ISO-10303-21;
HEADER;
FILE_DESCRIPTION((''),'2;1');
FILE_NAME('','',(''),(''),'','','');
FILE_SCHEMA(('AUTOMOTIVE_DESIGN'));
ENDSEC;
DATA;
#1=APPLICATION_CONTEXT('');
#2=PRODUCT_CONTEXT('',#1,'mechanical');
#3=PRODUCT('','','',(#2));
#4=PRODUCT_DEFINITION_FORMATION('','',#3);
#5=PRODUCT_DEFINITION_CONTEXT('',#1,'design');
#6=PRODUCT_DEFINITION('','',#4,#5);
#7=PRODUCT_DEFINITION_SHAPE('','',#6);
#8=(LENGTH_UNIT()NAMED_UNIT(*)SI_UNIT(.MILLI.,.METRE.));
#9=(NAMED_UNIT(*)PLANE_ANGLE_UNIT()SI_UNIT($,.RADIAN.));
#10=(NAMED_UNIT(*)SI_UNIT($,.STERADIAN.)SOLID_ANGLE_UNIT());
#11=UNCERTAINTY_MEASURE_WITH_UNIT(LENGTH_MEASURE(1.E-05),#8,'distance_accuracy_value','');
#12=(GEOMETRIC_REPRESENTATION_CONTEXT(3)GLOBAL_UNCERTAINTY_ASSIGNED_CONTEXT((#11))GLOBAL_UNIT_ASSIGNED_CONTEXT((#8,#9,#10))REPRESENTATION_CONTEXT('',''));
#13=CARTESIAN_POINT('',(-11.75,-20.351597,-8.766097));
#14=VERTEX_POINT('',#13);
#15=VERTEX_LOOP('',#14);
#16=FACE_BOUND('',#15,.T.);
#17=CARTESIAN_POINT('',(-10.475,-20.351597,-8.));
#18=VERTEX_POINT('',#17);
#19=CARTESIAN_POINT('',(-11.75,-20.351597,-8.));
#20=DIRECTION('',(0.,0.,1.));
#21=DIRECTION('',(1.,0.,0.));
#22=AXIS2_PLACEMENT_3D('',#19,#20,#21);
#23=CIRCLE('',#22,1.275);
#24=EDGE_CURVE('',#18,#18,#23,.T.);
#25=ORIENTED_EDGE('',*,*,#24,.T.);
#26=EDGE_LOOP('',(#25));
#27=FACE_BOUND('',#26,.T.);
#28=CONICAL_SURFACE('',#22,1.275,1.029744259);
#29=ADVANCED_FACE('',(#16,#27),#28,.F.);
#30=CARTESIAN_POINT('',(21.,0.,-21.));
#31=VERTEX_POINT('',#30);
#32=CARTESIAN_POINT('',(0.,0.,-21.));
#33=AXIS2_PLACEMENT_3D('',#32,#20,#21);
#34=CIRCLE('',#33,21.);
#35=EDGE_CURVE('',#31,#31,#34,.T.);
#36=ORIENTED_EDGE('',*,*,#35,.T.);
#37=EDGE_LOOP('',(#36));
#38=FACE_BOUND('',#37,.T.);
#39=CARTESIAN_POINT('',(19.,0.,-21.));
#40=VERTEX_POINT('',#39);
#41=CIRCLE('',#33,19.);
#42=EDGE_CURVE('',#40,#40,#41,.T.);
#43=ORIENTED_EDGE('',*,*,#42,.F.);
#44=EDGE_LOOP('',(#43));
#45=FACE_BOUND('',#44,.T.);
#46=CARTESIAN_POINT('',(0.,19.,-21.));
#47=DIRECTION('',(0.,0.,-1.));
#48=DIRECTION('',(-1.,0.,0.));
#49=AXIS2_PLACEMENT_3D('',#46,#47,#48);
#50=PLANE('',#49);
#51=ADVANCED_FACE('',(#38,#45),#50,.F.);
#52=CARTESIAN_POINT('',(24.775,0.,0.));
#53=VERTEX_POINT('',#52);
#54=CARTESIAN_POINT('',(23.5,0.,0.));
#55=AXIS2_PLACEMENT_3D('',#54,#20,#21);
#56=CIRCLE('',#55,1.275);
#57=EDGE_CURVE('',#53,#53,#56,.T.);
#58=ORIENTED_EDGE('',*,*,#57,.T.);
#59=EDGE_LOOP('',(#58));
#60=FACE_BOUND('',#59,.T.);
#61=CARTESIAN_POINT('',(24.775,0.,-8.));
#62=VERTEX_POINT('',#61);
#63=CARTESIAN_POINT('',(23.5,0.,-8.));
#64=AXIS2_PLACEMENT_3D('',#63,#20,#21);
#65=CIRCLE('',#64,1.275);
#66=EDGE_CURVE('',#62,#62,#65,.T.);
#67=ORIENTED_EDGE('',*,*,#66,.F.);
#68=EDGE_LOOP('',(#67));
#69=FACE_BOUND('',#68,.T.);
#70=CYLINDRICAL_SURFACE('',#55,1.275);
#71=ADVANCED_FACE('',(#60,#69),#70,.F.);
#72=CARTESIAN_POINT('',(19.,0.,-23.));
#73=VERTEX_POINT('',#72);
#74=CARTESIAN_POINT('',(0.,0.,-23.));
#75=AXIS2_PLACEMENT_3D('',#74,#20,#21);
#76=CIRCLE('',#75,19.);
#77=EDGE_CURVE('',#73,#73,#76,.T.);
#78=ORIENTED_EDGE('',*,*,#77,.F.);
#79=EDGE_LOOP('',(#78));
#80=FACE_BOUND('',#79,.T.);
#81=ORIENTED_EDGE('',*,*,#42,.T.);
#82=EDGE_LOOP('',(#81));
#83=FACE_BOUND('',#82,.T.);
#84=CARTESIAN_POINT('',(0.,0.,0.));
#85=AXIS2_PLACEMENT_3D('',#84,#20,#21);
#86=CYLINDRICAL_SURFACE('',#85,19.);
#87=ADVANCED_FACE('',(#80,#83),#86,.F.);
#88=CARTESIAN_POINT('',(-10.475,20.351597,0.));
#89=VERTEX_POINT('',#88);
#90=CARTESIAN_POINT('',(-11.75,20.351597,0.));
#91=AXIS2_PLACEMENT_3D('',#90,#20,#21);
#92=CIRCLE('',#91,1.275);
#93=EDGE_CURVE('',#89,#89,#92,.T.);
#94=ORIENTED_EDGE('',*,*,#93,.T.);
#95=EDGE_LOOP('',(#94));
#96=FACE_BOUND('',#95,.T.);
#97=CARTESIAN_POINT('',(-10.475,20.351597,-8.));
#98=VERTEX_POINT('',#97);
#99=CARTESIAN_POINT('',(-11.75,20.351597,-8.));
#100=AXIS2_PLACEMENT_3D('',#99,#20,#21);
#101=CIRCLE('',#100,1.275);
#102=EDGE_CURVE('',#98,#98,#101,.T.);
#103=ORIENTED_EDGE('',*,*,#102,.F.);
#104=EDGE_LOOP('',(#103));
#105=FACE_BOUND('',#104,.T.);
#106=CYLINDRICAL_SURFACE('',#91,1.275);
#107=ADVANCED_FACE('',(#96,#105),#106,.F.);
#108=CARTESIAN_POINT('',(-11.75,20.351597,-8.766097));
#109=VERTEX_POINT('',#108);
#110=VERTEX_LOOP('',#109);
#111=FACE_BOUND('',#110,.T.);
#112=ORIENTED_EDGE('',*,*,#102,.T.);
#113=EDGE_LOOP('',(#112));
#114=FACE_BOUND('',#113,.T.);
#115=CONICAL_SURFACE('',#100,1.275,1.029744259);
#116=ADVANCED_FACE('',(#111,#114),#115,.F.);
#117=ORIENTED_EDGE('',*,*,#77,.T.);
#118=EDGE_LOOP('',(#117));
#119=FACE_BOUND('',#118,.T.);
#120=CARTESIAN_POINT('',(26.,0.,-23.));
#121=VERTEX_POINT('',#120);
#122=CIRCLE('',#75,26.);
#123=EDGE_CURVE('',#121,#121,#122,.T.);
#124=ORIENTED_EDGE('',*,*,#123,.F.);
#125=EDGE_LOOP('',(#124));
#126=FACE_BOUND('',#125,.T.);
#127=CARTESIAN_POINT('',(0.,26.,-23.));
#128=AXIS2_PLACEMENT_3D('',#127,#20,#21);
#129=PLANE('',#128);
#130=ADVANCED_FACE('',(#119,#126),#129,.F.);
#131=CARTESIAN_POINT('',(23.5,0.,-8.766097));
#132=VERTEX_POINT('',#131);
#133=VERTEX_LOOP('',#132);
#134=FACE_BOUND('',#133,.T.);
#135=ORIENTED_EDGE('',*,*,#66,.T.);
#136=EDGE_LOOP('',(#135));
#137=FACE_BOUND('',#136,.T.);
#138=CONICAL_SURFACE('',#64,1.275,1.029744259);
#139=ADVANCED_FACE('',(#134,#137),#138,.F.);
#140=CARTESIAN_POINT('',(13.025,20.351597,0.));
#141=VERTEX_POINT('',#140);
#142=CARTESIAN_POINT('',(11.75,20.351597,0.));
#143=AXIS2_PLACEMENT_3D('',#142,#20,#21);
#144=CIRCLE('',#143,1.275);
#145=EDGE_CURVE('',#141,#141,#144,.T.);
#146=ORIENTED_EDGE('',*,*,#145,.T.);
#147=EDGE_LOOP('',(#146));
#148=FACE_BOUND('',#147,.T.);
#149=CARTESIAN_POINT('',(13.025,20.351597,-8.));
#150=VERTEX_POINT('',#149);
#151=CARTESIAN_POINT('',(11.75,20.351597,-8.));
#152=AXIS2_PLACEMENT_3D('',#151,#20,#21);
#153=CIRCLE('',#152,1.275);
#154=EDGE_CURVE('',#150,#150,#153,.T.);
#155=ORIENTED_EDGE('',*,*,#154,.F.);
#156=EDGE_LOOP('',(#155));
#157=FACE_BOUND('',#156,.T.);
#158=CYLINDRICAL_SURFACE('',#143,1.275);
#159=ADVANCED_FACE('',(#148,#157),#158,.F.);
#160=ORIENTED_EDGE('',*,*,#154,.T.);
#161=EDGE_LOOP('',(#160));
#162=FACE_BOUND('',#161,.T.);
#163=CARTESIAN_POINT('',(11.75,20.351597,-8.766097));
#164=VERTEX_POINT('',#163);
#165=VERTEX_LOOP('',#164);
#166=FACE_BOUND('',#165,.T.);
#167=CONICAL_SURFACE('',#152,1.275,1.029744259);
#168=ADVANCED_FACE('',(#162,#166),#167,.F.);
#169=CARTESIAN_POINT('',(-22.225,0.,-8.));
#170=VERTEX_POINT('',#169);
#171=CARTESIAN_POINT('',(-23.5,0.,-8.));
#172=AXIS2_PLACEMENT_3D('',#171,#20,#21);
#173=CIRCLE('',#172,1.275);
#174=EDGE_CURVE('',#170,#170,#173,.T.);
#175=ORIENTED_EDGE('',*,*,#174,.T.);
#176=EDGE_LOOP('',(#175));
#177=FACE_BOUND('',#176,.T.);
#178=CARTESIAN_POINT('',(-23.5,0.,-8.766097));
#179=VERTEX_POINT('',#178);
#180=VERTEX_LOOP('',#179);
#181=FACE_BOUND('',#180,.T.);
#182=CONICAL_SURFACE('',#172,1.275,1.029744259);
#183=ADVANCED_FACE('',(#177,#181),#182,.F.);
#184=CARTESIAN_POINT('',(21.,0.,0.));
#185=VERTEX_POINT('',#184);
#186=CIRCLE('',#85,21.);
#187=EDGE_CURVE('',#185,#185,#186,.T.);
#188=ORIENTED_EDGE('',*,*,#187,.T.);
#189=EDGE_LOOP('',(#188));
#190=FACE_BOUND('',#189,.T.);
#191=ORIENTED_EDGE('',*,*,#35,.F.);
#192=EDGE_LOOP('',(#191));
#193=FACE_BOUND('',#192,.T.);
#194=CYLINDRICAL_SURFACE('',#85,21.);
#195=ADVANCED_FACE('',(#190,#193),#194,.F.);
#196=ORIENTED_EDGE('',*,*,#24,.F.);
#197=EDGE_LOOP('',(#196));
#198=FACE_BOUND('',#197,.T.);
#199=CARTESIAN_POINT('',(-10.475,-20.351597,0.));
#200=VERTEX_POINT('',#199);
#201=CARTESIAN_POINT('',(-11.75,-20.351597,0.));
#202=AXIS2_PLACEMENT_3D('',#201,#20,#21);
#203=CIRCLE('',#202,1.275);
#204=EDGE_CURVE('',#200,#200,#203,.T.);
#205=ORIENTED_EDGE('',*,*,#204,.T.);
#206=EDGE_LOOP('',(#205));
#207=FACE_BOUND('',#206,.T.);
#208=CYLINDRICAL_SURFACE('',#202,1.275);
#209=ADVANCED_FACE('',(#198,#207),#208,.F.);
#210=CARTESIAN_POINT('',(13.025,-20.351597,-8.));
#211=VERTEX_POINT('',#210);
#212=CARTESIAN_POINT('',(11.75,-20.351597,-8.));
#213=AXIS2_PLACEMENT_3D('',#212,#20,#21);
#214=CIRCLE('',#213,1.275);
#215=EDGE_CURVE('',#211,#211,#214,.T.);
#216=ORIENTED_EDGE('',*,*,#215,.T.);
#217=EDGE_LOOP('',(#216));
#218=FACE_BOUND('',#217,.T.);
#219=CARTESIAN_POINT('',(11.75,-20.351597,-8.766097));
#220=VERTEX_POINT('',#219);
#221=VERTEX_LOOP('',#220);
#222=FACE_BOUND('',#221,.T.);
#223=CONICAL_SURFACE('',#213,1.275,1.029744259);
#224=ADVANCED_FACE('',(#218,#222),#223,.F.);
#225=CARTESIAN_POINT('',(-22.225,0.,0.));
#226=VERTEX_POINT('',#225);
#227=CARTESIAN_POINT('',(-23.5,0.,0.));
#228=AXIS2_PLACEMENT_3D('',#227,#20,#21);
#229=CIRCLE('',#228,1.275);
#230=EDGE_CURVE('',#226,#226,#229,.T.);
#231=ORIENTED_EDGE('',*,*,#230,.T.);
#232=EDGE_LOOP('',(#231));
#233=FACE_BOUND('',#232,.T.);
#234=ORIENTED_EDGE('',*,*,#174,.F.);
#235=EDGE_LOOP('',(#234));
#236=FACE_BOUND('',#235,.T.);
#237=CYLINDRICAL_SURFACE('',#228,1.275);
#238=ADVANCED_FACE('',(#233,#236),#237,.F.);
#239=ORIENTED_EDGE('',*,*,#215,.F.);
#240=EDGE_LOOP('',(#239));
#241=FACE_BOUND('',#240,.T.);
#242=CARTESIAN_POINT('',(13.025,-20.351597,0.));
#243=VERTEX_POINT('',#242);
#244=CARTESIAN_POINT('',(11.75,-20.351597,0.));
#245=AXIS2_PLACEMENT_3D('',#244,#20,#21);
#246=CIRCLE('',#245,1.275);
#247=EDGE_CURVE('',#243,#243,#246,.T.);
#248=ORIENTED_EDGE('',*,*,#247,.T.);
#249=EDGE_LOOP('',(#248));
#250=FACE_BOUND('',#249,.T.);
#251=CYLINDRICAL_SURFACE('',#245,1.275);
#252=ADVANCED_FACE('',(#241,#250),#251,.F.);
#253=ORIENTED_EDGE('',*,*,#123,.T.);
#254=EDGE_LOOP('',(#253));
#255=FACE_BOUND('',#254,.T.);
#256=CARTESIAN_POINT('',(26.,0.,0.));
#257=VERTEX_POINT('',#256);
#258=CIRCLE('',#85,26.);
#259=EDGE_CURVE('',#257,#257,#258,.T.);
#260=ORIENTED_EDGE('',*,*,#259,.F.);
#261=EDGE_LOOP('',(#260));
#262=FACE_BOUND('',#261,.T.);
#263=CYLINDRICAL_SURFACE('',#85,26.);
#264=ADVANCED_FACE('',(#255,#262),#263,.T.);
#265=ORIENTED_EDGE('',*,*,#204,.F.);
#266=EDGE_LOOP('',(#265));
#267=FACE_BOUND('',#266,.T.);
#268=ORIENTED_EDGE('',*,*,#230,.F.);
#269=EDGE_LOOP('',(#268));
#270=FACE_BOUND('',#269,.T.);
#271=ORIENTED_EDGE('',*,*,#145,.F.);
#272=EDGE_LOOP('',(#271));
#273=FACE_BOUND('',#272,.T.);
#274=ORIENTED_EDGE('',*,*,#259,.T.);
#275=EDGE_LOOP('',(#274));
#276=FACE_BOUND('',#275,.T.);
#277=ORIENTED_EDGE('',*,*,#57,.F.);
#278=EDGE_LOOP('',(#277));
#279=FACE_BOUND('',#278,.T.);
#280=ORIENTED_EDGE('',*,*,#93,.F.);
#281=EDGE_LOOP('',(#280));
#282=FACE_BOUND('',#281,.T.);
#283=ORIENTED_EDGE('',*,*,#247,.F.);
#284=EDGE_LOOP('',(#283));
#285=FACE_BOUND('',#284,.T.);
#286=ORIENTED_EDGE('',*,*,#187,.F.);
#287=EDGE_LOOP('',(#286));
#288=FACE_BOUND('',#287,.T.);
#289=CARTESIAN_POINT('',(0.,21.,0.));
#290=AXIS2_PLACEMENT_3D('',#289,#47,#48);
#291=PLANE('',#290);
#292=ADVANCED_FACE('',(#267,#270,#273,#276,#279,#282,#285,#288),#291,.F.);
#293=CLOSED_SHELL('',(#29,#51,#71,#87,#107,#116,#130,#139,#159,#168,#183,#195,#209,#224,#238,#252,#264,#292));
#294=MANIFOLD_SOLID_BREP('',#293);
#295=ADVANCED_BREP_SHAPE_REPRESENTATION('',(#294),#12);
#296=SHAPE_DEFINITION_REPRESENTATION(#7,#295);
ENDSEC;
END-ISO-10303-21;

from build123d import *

# Parameters (mm, degrees)
PATTERN_CIRCULAR_1_COUNT = 6


with BuildPart() as part:
    # Эскиз1 → Повернуть1 (revolve)
    with BuildSketch(Plane(origin=(0, 0, 0), x_dir=(0, 0, -1), z_dir=(1, 0, 0))):
        Polygon((0, 26), (23, 26), (23, 19), (21, 19), (21, 21), (0, 21), align=None)
    revolve(axis=Axis((0, 0, 0), (0, 0, -1)))

    # Эскиз3 → Сверло под метчик  спиральное M2.51 (revolve, cut)
    with BuildSketch(Plane(origin=(23.5, 0, 0), x_dir=(0, -1, 0), z_dir=(1, 0, 0))):
        Polygon((0, 0), (0, 8.766097289), (1.275, 8), (1.275, 0), align=None)
    hole_wizard_m2_51 = revolve(axis=Axis((23.5, 0, 6.35), (0, 0, -1)), mode=Mode.SUBTRACT)

    # Круговой массив1: Сверло под метчик  спиральное M2.51 ×6 about axis
    pattern_circular_1_axis = Axis((0, 0, 0), (0, 0, 1))
    for i in range(1, PATTERN_CIRCULAR_1_COUNT):
        add(hole_wizard_m2_51.rotate(pattern_circular_1_axis, i * 360 / PATTERN_CIRCULAR_1_COUNT), mode=Mode.SUBTRACT)


solid = part.part
